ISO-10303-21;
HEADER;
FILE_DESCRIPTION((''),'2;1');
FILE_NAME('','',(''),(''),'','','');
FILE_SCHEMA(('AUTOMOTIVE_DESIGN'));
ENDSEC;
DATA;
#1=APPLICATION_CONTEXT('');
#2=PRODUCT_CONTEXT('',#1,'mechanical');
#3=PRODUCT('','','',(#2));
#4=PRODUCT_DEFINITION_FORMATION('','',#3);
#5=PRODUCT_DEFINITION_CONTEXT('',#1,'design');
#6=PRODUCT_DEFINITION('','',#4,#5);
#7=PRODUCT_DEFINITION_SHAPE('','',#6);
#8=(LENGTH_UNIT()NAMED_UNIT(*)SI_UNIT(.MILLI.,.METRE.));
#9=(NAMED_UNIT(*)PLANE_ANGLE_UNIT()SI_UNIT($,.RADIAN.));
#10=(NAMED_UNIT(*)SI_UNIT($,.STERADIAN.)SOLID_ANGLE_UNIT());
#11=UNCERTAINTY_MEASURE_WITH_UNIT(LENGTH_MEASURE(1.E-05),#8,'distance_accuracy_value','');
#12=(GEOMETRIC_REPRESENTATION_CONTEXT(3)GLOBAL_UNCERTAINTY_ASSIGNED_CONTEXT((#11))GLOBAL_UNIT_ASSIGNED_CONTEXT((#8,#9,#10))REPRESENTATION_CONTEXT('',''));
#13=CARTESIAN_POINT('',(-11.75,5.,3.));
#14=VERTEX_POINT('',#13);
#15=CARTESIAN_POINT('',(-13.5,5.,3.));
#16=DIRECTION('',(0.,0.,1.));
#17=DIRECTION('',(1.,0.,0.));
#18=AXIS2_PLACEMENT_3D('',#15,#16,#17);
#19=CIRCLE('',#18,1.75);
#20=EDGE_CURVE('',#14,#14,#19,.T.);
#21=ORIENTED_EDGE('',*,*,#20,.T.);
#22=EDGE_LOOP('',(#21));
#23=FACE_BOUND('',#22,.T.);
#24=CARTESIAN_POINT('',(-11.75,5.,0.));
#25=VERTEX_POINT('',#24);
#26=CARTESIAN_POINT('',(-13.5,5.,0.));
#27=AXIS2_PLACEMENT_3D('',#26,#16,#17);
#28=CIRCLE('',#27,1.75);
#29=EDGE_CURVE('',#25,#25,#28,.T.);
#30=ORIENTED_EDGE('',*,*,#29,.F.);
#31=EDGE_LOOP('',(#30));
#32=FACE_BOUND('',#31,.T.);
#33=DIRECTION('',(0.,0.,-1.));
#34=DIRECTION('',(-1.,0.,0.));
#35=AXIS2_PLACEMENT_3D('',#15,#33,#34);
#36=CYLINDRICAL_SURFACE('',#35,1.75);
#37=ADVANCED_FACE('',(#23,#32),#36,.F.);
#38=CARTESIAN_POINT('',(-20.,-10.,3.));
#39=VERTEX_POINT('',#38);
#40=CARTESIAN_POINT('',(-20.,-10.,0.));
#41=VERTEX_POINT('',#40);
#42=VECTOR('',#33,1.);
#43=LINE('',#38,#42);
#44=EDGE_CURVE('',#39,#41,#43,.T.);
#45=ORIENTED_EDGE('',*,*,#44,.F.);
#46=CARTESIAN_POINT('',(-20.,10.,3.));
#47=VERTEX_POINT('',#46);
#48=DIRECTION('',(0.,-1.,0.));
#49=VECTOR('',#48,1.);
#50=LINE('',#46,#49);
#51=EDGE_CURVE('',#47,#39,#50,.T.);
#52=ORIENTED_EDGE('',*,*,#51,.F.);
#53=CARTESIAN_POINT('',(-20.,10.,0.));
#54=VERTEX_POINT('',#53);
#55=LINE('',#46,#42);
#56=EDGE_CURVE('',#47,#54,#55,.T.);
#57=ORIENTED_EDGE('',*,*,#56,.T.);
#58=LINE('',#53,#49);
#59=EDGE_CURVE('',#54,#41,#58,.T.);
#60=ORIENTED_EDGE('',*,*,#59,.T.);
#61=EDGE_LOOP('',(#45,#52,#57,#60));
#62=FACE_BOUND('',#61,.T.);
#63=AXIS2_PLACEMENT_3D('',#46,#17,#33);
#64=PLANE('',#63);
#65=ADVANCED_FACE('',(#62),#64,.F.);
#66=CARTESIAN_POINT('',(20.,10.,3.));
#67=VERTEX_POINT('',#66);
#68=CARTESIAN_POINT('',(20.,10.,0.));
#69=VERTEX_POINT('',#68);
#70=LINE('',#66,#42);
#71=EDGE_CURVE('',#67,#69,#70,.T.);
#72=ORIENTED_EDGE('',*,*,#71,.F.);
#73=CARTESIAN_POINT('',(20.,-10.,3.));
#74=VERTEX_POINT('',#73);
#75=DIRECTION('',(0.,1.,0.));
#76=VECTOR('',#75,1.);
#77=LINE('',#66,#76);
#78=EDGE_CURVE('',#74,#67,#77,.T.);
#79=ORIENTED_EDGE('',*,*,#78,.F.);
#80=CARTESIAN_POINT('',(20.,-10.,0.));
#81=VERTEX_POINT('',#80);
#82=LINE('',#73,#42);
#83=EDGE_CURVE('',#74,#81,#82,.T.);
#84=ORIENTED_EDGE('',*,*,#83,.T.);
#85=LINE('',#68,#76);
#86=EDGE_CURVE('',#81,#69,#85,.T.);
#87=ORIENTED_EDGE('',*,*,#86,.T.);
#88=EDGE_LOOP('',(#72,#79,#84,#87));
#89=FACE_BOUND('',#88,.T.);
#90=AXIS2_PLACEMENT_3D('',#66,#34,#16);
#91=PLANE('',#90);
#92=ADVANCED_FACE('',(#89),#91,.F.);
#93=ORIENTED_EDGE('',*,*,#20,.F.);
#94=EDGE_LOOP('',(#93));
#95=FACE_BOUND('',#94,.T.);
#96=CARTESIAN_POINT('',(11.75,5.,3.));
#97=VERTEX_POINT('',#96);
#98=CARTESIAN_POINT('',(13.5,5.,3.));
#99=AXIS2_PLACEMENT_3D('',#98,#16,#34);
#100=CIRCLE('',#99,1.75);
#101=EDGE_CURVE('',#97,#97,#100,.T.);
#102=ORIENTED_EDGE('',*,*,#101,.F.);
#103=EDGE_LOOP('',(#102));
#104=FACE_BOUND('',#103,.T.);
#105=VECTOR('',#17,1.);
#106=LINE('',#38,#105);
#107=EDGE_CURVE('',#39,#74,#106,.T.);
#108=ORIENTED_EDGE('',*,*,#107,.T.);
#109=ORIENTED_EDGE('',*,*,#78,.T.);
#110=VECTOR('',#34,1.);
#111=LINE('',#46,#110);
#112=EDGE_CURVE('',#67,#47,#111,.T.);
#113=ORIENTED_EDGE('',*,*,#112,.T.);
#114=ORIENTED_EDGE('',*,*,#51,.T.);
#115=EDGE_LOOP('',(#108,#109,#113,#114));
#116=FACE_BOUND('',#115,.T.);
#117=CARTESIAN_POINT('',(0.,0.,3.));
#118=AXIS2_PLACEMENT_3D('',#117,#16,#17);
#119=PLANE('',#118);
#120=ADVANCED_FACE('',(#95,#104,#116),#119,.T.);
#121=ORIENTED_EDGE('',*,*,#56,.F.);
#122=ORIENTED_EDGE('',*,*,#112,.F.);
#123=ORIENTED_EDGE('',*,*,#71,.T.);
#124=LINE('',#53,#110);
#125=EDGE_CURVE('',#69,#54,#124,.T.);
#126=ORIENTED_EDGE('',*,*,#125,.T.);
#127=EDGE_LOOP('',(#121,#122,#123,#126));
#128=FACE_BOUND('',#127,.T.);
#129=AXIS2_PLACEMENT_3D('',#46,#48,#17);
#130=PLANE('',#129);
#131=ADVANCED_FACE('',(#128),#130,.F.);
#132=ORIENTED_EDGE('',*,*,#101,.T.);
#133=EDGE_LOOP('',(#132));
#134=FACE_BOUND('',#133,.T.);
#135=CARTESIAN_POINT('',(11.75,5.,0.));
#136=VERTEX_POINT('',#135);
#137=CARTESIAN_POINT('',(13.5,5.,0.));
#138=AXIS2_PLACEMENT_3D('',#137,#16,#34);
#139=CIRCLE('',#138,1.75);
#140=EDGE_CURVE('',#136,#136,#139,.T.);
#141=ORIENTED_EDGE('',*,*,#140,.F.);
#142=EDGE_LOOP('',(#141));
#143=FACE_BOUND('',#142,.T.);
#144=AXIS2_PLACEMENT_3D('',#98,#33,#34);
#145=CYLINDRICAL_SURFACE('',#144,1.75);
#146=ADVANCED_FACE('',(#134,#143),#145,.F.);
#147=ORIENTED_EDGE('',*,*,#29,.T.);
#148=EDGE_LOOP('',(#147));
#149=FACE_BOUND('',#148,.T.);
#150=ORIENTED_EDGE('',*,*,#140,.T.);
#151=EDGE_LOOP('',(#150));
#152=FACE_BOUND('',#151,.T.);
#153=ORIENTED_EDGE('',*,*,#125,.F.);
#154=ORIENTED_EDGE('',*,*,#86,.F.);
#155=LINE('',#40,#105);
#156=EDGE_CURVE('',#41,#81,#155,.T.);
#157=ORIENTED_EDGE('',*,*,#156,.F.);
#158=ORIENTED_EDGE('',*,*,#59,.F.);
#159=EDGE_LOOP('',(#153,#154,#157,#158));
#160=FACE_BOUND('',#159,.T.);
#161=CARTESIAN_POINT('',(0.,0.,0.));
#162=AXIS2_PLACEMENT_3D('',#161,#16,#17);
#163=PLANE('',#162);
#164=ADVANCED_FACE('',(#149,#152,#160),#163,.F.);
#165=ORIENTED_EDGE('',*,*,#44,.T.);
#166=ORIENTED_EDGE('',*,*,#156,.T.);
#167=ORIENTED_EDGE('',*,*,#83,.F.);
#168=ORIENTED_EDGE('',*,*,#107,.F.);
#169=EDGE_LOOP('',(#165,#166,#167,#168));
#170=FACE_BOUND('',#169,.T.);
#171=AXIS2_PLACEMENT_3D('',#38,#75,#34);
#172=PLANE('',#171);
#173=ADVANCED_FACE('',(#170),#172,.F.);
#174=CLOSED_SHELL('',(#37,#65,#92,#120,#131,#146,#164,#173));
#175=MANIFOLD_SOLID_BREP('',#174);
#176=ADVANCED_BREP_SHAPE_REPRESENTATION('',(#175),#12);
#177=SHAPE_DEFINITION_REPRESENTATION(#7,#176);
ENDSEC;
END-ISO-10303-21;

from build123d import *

# Parameters (mm, degrees)
SKETCH_1_W      = 40
SKETCH_1_H      = 20
SKETCH_1_R      = 1.75
EXTRUDE_1_DEPTH = 3


with BuildPart() as part:
    # 草圖1 → 填料-伸長1 (new body)
    with BuildSketch(Plane.XY):
        Rectangle(SKETCH_1_W, SKETCH_1_H)
        with Locations((-13.5, 5)):
            Circle(SKETCH_1_R, mode=Mode.SUBTRACT)
        with Locations((13.5, 5)):
            Circle(SKETCH_1_R, mode=Mode.SUBTRACT)
    extrude(amount=EXTRUDE_1_DEPTH)


solid = part.part
